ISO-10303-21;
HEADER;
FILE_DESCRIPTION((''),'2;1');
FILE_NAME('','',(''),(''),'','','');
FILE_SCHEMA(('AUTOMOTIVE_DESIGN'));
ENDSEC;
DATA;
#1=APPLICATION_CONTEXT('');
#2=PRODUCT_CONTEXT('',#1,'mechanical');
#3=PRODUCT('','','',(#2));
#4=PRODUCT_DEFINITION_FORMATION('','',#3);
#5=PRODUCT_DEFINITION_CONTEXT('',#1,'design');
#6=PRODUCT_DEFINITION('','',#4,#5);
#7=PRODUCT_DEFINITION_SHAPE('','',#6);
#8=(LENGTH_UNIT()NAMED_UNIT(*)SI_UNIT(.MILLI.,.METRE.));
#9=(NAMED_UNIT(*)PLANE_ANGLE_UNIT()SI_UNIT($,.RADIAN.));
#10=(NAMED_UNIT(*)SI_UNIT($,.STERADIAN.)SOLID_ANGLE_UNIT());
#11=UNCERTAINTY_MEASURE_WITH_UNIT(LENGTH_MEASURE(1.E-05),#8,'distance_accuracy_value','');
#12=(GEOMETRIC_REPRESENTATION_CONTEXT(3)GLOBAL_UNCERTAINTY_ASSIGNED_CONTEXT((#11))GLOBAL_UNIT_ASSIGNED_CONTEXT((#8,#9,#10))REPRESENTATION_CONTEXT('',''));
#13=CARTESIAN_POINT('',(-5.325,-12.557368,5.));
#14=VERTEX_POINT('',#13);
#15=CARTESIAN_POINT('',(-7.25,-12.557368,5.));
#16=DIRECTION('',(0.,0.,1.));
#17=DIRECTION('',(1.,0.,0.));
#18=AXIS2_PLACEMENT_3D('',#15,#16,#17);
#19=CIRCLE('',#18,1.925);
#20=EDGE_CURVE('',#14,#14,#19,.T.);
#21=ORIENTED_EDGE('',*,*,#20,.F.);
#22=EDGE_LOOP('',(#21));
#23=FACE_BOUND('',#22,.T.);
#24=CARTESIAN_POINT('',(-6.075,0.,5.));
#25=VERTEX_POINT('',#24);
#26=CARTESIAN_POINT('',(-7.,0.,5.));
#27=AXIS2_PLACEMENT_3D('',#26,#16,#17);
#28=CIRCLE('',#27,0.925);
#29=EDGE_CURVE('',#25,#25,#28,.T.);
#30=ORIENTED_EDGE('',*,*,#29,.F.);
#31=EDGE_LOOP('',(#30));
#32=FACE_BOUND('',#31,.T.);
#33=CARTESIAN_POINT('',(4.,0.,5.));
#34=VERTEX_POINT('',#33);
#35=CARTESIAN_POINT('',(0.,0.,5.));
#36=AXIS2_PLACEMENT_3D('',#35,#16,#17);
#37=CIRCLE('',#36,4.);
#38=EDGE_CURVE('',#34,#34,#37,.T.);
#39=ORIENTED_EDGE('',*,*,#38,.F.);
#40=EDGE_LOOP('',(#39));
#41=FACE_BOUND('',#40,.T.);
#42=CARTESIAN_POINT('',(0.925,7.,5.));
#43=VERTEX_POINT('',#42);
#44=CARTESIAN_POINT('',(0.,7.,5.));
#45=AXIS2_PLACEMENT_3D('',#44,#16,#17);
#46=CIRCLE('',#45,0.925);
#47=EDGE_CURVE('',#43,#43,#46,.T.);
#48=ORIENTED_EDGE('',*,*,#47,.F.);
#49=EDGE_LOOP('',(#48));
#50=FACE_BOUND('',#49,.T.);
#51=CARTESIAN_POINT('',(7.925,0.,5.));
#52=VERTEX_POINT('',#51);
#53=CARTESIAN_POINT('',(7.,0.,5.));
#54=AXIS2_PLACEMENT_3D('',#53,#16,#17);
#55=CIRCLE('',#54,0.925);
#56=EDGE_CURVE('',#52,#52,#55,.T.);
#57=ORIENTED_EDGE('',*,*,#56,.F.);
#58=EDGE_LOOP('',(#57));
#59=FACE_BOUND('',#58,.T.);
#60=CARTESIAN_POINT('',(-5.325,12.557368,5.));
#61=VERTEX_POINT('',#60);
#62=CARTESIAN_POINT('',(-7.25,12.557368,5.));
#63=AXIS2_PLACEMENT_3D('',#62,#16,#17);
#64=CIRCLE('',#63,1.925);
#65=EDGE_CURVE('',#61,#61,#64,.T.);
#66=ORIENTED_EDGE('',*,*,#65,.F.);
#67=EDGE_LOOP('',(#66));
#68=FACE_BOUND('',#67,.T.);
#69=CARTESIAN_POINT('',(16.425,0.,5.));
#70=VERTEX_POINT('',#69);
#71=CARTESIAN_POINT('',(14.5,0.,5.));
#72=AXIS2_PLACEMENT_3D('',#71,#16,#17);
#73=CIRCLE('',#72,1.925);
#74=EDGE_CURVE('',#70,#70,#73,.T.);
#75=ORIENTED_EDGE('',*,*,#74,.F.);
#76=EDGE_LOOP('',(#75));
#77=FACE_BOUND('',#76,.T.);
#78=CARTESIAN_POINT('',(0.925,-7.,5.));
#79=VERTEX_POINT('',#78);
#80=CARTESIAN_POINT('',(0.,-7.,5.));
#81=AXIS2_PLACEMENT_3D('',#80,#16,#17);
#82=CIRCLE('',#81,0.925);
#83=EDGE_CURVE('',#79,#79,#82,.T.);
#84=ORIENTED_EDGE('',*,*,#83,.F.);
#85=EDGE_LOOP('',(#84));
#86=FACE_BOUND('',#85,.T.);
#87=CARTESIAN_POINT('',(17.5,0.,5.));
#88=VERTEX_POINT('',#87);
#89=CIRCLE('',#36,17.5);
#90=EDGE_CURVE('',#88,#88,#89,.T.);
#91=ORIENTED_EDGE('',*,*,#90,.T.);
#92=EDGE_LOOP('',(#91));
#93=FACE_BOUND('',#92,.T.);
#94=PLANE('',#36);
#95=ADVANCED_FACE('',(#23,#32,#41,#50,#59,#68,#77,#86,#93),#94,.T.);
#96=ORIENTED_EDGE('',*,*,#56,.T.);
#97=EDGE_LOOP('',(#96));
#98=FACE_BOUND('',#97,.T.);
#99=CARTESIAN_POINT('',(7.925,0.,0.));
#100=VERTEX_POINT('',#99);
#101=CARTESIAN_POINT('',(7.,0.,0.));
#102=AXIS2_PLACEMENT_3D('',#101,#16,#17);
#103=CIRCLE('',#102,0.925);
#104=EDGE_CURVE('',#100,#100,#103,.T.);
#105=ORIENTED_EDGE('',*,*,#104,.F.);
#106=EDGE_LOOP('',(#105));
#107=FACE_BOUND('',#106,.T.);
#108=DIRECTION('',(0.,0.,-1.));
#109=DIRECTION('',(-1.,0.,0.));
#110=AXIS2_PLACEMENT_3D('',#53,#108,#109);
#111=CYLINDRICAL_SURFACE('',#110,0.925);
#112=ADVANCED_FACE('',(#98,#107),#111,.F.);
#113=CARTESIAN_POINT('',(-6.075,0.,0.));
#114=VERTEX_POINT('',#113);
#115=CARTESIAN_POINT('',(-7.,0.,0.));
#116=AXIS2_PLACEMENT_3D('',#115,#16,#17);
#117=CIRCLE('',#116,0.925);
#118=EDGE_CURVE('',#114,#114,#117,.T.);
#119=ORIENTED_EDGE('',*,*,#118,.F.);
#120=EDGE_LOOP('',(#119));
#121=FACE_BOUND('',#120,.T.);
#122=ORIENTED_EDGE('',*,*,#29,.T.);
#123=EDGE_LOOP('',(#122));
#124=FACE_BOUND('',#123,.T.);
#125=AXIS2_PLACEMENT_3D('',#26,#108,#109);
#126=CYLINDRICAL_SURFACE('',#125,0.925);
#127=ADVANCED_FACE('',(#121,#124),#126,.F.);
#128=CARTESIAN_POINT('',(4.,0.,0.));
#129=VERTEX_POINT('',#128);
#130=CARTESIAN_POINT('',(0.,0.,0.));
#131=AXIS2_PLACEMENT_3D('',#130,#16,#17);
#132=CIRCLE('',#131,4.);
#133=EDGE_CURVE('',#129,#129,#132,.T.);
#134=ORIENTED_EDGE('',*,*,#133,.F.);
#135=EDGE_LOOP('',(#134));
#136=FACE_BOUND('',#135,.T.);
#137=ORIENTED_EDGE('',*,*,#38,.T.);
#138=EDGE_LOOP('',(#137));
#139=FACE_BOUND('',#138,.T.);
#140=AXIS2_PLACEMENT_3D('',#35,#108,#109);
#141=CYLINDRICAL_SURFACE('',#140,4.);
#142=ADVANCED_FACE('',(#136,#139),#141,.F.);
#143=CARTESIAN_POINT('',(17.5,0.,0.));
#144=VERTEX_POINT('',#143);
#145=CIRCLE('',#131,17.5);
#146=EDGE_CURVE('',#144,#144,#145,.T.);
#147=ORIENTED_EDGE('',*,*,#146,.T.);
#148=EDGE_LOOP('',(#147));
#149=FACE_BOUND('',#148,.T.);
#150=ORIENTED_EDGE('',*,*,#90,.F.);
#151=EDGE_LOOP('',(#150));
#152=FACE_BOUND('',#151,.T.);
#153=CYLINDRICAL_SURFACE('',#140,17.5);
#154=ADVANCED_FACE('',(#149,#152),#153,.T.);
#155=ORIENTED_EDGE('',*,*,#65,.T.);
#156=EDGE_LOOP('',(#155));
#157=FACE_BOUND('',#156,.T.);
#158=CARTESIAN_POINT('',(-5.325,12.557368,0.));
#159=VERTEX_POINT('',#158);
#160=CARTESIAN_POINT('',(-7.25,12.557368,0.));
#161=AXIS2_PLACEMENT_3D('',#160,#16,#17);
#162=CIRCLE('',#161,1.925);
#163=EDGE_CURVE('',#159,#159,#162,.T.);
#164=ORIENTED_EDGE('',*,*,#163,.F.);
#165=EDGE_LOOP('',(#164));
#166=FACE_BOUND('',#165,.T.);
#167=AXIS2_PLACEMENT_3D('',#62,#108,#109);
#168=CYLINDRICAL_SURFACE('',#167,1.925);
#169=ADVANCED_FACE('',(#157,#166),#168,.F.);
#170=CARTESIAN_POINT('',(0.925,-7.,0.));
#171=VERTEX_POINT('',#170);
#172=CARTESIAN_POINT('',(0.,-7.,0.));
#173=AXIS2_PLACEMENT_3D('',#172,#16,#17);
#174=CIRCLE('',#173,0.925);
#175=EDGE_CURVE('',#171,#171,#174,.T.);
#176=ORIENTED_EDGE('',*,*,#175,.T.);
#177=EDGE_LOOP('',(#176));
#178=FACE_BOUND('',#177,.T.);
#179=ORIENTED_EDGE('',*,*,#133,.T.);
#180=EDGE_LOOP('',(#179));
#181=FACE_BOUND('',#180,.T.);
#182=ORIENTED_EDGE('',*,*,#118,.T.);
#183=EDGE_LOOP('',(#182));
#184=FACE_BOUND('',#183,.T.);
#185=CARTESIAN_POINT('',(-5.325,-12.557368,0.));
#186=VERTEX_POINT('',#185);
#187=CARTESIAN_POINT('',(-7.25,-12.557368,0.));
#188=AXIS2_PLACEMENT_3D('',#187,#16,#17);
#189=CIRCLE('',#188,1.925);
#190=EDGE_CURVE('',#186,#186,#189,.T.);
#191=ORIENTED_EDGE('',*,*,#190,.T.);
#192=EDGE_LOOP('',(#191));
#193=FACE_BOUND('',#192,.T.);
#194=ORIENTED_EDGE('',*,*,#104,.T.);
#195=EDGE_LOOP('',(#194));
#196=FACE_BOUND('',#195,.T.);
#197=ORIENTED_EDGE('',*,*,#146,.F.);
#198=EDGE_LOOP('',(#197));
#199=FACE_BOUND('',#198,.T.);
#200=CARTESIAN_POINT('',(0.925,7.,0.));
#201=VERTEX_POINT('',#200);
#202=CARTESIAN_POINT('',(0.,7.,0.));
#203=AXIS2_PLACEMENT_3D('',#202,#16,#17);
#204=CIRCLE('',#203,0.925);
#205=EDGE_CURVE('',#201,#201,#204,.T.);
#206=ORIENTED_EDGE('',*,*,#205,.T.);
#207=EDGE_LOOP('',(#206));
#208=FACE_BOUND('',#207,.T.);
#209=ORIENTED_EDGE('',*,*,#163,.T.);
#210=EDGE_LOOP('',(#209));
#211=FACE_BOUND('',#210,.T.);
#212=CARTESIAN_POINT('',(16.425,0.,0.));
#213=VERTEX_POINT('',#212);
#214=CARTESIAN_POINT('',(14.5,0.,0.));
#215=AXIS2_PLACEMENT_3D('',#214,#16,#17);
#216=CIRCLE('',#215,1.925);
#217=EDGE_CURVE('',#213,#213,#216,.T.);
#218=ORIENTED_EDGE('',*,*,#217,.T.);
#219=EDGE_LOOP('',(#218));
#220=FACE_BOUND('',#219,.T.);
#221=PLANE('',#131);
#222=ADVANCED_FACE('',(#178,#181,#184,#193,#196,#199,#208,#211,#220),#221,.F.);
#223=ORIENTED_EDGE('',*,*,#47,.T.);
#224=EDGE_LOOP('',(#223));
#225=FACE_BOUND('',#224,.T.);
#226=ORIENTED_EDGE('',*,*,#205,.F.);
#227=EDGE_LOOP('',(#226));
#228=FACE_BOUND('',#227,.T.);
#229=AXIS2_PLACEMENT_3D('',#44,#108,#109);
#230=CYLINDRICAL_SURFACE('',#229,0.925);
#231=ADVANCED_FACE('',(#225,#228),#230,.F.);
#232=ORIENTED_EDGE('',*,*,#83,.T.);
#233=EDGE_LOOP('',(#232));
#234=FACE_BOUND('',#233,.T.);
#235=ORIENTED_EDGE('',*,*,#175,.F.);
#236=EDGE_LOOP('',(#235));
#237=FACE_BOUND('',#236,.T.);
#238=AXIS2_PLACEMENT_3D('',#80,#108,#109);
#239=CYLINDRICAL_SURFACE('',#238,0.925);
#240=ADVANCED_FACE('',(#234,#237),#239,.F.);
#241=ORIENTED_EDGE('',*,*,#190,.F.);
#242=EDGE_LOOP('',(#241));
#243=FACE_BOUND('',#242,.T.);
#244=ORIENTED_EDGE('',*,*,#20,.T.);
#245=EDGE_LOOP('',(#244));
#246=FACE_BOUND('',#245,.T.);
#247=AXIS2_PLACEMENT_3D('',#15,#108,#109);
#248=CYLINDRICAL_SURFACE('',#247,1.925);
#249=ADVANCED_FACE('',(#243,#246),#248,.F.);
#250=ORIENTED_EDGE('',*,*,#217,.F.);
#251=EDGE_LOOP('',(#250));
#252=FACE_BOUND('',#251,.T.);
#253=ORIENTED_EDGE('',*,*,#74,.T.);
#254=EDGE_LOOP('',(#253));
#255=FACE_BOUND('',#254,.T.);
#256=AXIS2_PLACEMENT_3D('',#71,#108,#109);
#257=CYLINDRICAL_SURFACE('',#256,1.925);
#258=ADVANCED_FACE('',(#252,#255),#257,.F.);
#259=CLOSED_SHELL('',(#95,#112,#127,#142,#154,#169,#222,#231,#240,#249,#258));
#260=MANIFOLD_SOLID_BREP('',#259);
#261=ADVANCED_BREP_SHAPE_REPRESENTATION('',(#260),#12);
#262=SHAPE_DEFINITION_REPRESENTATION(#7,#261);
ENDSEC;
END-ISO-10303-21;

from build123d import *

# Parameters (mm, degrees)
ESQUISSE1_R        = 17.5
ESQUISSE1_R_2      = 0.925
ESQUISSE1_R_3      = 1.925
ESQUISSE1_R_4      = 4
BOSS_EXTRU_1_DEPTH = 5


with BuildPart() as part:
    # Esquisse1 → Boss.-Extru.1 (new body)
    with BuildSketch(Plane.XY):
        Circle(ESQUISSE1_R)
        with Locations((0, -7)):
            Circle(ESQUISSE1_R_2, mode=Mode.SUBTRACT)
        with Locations((-7, 0)):
            Circle(ESQUISSE1_R_2, mode=Mode.SUBTRACT)
        with Locations((0, 7)):
            Circle(ESQUISSE1_R_2, mode=Mode.SUBTRACT)
        with Locations((-7.25, -12.557368355)):
            Circle(ESQUISSE1_R_3, mode=Mode.SUBTRACT)
        with Locations((-7.25, 12.557368355)):
            Circle(ESQUISSE1_R_3, mode=Mode.SUBTRACT)
        Circle(ESQUISSE1_R_4, mode=Mode.SUBTRACT)
        with Locations((14.5, 0)):
            Circle(ESQUISSE1_R_3, mode=Mode.SUBTRACT)
        with Locations((7, 0)):
            Circle(ESQUISSE1_R_2, mode=Mode.SUBTRACT)
    extrude(amount=BOSS_EXTRU_1_DEPTH)


solid = part.part
